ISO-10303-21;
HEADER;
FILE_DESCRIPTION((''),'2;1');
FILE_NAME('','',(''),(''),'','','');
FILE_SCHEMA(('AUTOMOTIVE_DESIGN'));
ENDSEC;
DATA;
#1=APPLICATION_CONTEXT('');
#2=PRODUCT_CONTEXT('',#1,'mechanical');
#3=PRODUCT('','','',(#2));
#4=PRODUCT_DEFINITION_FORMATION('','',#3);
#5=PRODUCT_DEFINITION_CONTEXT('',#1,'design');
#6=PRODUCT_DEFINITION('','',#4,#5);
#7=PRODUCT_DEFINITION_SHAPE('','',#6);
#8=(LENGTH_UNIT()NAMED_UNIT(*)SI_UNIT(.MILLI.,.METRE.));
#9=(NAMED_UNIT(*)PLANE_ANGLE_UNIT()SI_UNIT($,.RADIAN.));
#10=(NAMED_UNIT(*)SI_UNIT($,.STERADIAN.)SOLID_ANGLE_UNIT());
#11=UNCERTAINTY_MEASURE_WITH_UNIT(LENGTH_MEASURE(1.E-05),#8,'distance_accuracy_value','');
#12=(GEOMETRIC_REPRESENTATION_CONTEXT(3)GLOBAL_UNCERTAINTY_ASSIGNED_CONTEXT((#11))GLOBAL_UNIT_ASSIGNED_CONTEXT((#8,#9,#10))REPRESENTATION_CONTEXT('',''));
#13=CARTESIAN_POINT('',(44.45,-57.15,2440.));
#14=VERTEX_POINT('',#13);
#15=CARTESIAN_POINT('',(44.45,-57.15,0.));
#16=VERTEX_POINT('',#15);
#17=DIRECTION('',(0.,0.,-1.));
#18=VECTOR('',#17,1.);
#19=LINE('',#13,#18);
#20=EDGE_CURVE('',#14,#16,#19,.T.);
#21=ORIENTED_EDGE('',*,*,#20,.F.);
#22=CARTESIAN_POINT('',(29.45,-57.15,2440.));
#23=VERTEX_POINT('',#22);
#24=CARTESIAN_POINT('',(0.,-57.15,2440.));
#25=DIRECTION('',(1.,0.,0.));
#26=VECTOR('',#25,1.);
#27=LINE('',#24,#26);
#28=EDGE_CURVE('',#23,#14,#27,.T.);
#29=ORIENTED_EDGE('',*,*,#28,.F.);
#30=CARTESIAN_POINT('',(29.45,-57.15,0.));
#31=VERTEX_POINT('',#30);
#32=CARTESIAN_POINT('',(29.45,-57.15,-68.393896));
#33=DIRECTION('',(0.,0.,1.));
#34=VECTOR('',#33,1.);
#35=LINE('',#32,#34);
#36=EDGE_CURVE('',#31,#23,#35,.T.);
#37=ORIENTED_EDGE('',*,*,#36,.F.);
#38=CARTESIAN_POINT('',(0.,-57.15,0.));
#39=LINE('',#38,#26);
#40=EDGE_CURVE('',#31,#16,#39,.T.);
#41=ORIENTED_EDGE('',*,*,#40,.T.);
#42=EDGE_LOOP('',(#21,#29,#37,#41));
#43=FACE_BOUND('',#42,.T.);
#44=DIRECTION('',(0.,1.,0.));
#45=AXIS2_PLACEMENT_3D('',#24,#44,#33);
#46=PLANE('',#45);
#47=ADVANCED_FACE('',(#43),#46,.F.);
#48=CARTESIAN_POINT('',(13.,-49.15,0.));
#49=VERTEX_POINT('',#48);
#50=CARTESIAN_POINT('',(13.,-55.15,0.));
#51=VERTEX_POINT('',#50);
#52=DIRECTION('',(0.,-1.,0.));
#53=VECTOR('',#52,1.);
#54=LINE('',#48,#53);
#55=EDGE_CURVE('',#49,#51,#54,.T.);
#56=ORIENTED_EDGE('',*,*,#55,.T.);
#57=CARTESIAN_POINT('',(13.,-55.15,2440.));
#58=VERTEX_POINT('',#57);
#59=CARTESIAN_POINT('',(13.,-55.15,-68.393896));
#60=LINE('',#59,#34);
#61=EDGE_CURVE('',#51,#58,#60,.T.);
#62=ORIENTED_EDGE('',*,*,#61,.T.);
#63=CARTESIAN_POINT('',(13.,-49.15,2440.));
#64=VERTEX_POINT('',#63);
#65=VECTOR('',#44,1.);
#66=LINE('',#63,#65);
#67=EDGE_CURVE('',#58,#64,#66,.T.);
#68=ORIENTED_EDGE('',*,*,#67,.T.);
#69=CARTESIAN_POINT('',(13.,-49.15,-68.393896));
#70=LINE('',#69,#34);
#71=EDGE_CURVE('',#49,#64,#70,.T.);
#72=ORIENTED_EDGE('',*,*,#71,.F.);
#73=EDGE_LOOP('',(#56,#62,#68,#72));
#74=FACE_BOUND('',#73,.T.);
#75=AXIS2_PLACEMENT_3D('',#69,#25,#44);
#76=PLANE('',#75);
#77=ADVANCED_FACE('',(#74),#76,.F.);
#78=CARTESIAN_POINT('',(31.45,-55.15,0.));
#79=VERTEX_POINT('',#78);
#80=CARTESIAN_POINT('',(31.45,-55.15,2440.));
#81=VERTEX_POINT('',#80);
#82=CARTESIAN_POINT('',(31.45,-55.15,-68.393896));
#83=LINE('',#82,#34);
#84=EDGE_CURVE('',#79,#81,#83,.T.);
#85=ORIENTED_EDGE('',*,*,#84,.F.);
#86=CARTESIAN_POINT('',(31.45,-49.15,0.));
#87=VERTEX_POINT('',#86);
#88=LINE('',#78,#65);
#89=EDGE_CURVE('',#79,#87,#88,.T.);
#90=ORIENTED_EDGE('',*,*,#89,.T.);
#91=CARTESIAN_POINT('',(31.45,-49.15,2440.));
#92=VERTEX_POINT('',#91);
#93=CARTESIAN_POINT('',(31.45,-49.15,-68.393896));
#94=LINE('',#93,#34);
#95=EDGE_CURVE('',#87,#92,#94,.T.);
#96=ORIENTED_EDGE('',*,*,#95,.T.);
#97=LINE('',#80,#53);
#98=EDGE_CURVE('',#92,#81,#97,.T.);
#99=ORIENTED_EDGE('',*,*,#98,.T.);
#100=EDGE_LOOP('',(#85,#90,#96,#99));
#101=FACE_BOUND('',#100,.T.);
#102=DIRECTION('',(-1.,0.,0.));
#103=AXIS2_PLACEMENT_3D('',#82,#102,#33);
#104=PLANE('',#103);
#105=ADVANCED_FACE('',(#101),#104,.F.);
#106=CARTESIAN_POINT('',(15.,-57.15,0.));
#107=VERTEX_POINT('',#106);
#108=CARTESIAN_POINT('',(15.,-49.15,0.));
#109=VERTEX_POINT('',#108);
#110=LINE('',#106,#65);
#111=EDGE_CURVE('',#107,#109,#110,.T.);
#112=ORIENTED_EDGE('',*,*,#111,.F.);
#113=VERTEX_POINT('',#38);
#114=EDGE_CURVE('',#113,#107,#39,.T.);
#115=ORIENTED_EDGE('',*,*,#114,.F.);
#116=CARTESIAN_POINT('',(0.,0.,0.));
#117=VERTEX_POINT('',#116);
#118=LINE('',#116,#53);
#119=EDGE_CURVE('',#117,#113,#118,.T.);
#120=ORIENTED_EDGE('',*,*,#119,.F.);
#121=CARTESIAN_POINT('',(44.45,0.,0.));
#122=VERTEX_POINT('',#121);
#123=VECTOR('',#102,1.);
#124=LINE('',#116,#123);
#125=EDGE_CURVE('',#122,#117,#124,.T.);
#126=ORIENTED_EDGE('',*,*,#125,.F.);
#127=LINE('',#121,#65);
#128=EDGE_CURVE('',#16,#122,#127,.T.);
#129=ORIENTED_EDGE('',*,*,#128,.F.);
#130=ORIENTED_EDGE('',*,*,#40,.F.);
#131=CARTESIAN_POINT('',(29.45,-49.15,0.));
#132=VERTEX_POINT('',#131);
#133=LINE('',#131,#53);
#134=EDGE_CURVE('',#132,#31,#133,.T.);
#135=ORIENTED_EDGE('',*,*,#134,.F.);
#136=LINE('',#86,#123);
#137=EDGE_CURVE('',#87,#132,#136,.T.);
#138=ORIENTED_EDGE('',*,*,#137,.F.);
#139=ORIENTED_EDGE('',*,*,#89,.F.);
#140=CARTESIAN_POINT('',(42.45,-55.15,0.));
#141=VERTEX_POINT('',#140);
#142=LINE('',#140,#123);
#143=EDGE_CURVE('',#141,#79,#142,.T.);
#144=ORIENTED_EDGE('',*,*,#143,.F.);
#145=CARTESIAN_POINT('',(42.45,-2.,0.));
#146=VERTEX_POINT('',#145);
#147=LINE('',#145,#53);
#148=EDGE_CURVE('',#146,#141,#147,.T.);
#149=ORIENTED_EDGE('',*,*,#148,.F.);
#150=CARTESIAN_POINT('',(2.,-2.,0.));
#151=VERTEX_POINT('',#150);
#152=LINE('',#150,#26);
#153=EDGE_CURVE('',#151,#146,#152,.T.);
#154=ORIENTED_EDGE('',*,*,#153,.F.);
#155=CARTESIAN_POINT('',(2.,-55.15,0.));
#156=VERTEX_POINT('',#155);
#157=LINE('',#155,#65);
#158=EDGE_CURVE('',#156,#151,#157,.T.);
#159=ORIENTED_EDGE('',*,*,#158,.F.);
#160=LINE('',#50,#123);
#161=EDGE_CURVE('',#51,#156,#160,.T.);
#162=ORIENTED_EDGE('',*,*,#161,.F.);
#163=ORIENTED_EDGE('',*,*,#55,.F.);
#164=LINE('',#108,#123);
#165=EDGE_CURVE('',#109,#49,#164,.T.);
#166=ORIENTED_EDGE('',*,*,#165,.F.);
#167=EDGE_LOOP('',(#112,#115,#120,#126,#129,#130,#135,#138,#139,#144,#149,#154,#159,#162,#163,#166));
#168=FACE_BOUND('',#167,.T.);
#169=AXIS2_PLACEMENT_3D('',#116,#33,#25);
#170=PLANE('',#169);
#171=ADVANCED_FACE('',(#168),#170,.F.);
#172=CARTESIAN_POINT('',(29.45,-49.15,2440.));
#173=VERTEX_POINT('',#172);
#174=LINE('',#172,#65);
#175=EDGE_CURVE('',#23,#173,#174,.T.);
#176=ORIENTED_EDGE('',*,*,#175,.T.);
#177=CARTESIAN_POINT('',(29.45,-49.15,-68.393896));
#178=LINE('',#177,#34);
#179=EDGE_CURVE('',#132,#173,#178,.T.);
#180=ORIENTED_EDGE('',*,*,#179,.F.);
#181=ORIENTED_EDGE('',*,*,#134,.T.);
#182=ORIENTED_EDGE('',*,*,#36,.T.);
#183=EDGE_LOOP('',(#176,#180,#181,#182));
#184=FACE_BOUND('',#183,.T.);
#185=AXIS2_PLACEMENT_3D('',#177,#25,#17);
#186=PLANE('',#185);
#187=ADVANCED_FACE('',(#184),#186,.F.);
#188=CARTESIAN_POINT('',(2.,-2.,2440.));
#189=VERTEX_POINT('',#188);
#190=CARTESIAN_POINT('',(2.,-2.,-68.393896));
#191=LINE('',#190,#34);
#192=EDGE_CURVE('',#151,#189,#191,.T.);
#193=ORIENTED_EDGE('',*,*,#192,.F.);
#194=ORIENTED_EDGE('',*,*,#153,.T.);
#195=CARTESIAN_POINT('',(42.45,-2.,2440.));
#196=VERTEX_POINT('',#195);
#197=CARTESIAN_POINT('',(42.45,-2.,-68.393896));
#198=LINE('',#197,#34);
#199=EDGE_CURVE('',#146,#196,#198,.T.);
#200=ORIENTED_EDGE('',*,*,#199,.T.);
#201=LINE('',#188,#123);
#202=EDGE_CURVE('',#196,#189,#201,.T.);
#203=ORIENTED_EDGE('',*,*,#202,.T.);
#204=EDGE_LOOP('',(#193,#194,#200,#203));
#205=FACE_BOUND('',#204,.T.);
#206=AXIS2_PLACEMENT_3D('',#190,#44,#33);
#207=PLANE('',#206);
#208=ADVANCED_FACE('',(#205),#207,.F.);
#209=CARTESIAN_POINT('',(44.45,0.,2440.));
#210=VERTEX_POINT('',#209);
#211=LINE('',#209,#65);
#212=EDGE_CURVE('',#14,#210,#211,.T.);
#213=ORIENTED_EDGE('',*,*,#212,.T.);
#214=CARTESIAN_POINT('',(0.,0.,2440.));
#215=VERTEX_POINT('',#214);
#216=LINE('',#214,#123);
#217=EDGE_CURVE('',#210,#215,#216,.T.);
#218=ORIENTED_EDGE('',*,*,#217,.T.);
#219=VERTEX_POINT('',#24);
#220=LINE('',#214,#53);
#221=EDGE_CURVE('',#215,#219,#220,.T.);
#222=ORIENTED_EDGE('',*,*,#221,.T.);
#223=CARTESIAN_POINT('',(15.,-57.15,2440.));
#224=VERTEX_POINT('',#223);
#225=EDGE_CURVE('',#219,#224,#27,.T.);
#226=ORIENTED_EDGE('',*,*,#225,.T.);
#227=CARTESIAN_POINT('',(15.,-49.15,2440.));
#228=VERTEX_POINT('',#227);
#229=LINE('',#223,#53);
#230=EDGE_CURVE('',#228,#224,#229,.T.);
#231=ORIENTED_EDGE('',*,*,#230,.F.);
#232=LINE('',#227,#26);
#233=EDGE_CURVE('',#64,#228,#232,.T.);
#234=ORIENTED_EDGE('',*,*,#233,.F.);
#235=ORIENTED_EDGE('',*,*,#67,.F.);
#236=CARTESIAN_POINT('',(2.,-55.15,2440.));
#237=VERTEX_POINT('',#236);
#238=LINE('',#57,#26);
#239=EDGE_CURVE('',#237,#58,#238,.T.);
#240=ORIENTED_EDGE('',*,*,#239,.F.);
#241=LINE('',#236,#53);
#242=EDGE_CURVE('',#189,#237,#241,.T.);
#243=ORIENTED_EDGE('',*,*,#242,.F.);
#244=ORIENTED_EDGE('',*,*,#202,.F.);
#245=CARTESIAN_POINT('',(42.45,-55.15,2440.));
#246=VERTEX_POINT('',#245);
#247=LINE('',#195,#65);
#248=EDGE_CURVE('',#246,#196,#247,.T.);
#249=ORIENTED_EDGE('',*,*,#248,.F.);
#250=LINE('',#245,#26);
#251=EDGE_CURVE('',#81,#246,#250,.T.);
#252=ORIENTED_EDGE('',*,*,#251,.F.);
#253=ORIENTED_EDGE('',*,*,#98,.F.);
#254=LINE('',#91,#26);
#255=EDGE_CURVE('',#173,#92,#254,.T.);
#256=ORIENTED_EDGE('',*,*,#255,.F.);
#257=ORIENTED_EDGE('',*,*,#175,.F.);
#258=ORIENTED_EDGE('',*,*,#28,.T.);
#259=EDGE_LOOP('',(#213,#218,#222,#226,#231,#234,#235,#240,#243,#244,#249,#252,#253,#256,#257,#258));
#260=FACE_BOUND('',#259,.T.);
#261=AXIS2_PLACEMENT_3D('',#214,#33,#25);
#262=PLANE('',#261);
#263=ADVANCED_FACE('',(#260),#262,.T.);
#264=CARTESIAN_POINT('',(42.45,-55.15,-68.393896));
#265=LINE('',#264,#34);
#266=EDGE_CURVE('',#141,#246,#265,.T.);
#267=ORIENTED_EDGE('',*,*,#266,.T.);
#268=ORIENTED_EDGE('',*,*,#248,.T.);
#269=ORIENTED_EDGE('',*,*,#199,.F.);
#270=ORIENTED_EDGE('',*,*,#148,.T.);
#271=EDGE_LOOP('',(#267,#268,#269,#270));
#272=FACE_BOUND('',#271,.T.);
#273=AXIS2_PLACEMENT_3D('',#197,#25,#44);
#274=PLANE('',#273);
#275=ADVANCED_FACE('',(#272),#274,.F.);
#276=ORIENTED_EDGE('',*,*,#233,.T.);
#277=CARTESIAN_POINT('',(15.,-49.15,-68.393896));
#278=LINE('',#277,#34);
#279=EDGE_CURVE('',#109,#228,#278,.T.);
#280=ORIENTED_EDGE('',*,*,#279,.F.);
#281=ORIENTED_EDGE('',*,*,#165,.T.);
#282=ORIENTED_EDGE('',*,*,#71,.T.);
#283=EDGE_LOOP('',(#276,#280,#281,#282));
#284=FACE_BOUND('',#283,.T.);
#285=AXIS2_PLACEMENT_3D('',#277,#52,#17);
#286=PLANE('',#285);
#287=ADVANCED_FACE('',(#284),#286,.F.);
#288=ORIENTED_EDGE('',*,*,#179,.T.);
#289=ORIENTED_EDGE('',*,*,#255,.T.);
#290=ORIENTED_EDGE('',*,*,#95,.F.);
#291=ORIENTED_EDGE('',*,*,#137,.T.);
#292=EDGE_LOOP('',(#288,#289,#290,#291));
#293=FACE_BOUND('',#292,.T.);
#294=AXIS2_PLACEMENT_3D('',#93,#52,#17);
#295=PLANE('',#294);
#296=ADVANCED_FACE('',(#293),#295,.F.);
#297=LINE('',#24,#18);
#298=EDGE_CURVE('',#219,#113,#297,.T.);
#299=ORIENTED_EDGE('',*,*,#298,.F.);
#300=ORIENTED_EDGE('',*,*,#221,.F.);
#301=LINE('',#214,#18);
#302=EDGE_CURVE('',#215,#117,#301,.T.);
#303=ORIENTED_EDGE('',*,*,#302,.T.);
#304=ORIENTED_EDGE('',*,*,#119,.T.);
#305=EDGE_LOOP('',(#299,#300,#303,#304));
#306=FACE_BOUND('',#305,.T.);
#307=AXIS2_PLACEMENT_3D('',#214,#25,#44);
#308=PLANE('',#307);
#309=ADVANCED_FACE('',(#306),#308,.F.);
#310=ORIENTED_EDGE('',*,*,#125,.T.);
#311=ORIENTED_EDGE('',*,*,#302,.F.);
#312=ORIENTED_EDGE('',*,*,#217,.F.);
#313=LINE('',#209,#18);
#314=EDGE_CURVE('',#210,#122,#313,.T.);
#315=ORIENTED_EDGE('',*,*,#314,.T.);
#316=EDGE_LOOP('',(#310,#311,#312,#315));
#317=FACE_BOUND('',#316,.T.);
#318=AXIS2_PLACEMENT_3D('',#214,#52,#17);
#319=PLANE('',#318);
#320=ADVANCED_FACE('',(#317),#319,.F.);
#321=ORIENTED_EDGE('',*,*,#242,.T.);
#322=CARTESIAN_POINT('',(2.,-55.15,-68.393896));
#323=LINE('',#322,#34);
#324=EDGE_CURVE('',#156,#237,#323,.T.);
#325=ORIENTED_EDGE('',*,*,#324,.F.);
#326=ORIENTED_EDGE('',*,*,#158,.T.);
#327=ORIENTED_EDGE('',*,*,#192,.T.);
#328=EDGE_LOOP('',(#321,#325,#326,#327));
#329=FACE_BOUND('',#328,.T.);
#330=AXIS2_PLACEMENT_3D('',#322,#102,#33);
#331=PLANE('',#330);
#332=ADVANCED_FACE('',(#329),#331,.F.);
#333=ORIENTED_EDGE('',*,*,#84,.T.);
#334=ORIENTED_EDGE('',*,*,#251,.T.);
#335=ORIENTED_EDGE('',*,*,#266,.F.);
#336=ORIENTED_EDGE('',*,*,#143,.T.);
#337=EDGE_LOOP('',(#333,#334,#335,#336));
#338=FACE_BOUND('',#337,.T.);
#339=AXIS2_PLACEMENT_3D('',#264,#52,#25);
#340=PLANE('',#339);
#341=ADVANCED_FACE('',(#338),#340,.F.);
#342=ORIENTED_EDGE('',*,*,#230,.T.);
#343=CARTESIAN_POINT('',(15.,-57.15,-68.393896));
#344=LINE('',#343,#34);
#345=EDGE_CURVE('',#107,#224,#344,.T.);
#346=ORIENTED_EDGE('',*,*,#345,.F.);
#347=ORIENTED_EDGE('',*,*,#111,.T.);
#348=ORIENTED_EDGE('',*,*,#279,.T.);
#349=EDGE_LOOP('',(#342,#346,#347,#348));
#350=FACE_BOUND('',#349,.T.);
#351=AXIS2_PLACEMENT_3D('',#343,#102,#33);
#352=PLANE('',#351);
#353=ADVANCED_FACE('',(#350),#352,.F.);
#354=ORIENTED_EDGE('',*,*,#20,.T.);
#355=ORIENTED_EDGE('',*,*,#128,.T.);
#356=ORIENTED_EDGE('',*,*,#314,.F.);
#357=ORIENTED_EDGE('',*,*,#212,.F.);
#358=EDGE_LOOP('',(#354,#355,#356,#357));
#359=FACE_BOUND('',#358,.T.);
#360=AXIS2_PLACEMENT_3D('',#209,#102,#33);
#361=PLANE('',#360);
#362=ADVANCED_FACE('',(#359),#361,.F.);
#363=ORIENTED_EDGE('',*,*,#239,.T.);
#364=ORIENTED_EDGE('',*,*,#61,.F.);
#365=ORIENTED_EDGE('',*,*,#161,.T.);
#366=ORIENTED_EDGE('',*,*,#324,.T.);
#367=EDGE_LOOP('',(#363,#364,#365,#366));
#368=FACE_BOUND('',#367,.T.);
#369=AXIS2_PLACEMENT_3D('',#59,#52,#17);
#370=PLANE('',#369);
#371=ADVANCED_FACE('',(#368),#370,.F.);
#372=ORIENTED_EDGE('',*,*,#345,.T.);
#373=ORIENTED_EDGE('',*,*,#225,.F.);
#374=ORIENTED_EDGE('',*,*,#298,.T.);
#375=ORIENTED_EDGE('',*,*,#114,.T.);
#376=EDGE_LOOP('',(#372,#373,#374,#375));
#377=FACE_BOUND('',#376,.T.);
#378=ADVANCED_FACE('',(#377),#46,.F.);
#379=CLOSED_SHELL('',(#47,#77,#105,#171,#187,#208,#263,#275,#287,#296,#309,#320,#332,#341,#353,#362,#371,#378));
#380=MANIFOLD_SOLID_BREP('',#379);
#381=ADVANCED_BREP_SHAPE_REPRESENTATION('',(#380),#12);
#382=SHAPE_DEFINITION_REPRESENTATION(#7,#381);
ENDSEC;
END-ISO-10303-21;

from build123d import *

# Parameters (mm, degrees)
CROQUIS1_W              = 44.45
CROQUIS1_H              = 57.15
SALIENTE_EXTRUIR1_DEPTH = 2440
CORTAR_EXTRUIR1_DEPTH   = 2440


with BuildPart() as part:
    # Croquis1 → Saliente-Extruir1 (new body)
    with BuildSketch(Plane.XY):
        with Locations((22.225, -28.575)):
            Rectangle(CROQUIS1_W, CROQUIS1_H)
    extrude(amount=SALIENTE_EXTRUIR1_DEPTH)

    # Croquis2 → Cortar-Extruir1 (cut)
    with BuildSketch(Plane.XY.offset(2440)):
        Polygon((15, -57.15), (15, -49.15), (13, -49.15), (13, -55.15), (2, -55.15), (2, -2), (42.45, -2), (42.45, -55.15), (31.45, -55.15), (31.45, -49.15), (29.45, -49.15), (29.45, -57.15), align=None)
    extrude(amount=-CORTAR_EXTRUIR1_DEPTH, mode=Mode.SUBTRACT)


solid = part.part
